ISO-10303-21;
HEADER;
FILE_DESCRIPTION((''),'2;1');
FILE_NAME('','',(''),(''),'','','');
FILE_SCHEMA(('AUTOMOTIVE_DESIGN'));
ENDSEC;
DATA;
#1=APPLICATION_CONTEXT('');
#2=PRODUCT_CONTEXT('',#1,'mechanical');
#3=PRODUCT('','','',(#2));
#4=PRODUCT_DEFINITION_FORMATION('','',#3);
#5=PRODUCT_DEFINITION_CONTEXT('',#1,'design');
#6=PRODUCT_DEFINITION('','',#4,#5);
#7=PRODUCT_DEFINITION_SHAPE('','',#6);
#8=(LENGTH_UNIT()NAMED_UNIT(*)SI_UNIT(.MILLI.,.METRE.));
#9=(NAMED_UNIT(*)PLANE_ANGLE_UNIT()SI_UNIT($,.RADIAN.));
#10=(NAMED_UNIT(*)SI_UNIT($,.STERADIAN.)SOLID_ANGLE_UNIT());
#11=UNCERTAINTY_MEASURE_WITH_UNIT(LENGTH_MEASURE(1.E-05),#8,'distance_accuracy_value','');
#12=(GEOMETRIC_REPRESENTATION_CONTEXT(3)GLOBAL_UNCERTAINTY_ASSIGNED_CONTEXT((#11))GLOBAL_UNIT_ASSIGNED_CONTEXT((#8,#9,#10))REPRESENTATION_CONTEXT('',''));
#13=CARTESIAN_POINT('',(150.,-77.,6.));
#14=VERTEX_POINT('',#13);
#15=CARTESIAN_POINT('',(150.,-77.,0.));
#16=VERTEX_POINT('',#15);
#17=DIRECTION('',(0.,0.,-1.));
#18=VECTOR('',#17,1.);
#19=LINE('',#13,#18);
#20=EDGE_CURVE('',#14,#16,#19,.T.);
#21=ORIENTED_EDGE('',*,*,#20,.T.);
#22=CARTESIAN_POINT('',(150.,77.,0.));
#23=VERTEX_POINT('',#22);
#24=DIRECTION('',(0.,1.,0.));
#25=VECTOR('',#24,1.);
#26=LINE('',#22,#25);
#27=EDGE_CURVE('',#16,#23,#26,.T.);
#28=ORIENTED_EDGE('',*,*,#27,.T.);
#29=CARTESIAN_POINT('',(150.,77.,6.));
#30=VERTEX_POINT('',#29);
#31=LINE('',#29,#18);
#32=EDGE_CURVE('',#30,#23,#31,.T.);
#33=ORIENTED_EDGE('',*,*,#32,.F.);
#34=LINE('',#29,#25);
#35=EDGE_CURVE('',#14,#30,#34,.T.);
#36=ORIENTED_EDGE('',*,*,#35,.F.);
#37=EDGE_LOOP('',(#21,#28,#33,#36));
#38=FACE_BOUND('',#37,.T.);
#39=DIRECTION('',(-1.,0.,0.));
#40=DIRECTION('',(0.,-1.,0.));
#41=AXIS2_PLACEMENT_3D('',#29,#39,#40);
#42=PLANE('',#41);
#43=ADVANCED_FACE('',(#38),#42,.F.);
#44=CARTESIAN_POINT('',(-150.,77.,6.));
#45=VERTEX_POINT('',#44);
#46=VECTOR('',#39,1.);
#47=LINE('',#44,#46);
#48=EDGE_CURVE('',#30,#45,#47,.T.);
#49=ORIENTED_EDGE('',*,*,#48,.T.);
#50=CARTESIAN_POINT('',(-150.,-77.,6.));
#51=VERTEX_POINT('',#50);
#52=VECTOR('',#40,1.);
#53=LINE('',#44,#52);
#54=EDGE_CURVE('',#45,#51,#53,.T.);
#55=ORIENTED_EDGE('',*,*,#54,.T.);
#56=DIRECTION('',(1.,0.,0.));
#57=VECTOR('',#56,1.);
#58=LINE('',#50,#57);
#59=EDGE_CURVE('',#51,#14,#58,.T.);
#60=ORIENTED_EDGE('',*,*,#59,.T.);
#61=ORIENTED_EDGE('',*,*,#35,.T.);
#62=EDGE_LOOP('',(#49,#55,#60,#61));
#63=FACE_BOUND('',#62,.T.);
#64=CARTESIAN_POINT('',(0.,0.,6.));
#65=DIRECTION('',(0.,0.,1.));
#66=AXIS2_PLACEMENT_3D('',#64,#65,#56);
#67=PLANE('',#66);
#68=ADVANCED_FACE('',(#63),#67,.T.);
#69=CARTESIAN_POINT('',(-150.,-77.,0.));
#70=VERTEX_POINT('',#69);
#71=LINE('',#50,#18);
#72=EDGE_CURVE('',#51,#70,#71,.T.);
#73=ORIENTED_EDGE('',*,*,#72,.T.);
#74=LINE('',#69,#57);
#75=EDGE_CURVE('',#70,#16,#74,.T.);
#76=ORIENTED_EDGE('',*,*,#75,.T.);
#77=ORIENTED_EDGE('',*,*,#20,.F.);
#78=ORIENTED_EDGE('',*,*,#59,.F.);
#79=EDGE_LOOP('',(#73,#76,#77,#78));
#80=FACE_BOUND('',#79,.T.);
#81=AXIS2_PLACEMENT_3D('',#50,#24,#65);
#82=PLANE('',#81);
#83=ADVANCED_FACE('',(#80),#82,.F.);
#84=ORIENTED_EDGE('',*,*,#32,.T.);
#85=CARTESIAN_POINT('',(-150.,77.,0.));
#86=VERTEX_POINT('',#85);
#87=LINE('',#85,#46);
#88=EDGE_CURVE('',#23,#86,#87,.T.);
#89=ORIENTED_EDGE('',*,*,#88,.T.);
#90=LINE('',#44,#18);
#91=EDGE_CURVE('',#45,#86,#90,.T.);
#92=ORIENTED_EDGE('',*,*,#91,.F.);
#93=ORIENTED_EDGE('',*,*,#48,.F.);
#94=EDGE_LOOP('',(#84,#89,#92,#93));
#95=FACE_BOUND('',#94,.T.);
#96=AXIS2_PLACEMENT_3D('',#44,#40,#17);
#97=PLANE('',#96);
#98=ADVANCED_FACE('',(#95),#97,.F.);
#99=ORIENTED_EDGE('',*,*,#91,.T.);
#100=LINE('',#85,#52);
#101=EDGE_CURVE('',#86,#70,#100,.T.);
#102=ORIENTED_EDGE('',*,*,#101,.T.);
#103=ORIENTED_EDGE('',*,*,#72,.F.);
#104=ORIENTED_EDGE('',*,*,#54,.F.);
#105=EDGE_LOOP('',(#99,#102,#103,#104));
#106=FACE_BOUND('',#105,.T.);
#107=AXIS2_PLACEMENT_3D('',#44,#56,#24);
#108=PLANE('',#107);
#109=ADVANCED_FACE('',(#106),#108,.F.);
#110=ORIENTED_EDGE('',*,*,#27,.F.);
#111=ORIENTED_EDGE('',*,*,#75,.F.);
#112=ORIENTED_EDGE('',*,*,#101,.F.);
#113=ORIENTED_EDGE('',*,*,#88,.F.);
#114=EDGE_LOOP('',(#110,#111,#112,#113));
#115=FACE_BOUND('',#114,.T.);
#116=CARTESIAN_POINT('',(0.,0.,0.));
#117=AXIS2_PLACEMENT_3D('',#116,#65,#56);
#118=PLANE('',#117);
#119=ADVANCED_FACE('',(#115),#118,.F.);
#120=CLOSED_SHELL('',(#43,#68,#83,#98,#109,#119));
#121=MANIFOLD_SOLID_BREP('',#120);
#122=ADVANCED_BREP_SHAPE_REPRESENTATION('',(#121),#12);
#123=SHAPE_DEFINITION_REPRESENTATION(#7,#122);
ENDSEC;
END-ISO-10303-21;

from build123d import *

# Parameters (mm, degrees)
SKETCH_1_W      = 300
SKETCH_1_H      = 154
EXTRUDE_1_DEPTH = 6


with BuildPart() as part:
    # Эскиз1 → Бобышка-Вытянуть1 (new body)
    with BuildSketch(Plane.XY):
        Rectangle(SKETCH_1_W, SKETCH_1_H)
    extrude(amount=EXTRUDE_1_DEPTH)


solid = part.part
